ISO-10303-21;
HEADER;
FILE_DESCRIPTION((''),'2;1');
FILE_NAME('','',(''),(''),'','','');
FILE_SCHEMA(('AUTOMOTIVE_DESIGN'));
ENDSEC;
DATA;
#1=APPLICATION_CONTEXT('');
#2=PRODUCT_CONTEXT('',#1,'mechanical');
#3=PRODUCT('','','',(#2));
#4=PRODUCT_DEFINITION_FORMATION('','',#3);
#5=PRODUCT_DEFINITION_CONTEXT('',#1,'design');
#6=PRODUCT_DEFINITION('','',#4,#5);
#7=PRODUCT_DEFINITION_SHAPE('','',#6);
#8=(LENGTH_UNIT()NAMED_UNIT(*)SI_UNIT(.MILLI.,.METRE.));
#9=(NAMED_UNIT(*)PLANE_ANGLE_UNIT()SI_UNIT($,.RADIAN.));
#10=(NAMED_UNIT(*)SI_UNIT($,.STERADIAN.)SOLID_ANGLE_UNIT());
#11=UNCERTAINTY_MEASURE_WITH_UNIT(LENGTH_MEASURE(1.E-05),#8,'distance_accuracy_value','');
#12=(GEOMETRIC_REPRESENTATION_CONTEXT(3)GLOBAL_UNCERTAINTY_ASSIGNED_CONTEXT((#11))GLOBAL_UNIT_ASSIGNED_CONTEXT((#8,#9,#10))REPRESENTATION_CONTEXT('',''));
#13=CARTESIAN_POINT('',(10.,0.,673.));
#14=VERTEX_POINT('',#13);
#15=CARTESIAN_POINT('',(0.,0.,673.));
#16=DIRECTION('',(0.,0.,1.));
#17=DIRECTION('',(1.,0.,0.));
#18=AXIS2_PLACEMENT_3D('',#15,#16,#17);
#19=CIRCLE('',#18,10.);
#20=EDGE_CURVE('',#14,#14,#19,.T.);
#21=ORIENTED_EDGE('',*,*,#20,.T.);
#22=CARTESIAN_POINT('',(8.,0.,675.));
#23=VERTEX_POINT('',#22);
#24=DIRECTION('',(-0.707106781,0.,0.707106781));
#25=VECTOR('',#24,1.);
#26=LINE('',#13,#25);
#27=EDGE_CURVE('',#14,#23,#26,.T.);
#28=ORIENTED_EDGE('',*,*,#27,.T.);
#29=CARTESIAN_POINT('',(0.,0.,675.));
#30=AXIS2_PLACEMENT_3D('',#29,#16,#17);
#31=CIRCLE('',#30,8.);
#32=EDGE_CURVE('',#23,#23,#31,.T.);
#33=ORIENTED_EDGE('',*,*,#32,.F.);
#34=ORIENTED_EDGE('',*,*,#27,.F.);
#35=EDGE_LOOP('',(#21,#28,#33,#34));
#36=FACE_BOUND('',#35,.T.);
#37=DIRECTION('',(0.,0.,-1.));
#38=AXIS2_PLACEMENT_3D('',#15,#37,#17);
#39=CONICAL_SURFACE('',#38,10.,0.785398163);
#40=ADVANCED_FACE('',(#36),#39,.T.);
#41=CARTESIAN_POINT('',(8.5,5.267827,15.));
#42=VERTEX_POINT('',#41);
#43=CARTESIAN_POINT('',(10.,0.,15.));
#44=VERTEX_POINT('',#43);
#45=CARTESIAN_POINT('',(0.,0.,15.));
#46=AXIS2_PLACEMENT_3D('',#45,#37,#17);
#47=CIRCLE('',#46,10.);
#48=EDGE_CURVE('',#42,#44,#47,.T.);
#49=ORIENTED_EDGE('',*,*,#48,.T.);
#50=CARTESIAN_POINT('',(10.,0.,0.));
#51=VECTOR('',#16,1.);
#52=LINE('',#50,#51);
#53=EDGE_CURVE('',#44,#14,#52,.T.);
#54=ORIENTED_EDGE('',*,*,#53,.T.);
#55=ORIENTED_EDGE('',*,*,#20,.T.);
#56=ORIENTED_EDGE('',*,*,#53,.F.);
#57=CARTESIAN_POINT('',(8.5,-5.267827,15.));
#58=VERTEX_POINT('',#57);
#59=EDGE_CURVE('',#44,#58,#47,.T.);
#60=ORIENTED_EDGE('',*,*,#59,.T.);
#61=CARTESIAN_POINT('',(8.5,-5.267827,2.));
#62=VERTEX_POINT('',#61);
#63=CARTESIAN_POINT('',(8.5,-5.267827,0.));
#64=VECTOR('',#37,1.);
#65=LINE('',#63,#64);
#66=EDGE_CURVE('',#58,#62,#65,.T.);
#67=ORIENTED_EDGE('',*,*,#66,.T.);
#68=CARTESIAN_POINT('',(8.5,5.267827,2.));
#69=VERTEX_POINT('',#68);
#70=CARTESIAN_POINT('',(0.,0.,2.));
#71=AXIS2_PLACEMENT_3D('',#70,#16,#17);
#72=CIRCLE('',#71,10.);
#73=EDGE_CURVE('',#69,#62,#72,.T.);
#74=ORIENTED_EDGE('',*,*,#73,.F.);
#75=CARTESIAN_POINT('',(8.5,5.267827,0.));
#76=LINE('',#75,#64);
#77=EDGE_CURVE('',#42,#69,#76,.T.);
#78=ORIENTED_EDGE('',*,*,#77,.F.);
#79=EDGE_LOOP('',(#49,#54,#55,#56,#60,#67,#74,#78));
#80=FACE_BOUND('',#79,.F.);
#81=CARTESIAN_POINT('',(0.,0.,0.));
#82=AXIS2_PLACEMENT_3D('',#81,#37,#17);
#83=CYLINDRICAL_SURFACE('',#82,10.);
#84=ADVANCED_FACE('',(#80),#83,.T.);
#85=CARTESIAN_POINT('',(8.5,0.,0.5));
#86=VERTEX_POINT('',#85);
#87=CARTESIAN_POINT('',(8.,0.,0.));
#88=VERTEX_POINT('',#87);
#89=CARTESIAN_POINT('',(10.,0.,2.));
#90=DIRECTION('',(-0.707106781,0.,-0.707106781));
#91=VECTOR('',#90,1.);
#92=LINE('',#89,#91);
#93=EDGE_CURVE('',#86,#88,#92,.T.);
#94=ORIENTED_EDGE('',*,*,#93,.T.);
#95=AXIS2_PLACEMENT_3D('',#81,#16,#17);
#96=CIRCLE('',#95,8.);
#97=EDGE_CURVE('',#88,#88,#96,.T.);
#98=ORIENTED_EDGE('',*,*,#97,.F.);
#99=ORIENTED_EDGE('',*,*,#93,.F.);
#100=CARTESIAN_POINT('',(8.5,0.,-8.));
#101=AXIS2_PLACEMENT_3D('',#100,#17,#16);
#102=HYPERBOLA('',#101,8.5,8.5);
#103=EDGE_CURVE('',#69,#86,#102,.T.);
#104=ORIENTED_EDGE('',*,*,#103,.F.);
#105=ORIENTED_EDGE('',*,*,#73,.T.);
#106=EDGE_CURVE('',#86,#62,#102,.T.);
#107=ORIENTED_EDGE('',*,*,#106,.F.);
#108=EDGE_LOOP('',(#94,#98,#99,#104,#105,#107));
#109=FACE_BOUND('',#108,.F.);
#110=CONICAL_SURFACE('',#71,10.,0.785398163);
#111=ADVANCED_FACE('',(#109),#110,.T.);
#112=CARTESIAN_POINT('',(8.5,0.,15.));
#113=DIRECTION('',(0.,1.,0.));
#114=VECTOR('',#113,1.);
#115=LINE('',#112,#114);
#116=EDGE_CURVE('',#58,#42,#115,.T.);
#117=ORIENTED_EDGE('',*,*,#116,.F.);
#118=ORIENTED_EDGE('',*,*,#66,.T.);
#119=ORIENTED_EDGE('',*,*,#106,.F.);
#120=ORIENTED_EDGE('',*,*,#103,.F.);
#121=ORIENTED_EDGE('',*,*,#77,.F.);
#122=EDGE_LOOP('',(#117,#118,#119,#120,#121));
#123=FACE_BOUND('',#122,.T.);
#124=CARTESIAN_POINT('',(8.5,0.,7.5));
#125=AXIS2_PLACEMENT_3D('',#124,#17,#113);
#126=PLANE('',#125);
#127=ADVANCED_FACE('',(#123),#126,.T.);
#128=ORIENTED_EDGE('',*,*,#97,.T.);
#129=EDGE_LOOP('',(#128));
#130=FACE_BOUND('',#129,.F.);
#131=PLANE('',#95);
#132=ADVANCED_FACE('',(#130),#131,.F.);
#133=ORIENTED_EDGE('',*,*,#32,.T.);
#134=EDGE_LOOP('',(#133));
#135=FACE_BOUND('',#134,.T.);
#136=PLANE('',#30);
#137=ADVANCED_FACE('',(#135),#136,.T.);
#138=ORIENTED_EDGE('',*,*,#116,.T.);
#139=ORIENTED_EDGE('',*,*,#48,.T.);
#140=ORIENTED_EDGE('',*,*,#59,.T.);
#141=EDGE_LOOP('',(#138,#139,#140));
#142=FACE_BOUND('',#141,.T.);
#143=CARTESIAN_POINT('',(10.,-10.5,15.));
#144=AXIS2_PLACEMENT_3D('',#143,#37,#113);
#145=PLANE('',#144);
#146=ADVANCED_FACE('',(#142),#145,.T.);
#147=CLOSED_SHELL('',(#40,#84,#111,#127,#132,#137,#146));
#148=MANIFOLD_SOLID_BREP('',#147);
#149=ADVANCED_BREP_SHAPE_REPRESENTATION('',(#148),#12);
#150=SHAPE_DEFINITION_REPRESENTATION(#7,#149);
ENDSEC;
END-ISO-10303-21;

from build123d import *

# Parameters (mm, degrees)
F0_R     = 10
F1_DEPTH = 675
F2_SIZE  = 2
F4_W     = 21
F4_H     = 15
F5_DEPTH = 1.5


with BuildPart() as f1:
    # F0 (on Top) → F1 (new body)
    with BuildSketch(Plane.XY):
        Circle(F0_R)
    extrude(amount=F1_DEPTH)

    # F2
    f2_edges = [f1.edges().sort_by_distance(p)[0] for p in [
        (-10, 0, 0),
        (-10, 0, 675),
    ]]
    chamfer(f2_edges, length=F2_SIZE)

    # F4 (on offset) → F5 (cut)
    with BuildSketch(Plane.YZ.offset(10)):
        with Locations((0, 7.5)):
            Rectangle(F4_W, F4_H)
    extrude(amount=-F5_DEPTH, mode=Mode.SUBTRACT)


solid = f1.part
